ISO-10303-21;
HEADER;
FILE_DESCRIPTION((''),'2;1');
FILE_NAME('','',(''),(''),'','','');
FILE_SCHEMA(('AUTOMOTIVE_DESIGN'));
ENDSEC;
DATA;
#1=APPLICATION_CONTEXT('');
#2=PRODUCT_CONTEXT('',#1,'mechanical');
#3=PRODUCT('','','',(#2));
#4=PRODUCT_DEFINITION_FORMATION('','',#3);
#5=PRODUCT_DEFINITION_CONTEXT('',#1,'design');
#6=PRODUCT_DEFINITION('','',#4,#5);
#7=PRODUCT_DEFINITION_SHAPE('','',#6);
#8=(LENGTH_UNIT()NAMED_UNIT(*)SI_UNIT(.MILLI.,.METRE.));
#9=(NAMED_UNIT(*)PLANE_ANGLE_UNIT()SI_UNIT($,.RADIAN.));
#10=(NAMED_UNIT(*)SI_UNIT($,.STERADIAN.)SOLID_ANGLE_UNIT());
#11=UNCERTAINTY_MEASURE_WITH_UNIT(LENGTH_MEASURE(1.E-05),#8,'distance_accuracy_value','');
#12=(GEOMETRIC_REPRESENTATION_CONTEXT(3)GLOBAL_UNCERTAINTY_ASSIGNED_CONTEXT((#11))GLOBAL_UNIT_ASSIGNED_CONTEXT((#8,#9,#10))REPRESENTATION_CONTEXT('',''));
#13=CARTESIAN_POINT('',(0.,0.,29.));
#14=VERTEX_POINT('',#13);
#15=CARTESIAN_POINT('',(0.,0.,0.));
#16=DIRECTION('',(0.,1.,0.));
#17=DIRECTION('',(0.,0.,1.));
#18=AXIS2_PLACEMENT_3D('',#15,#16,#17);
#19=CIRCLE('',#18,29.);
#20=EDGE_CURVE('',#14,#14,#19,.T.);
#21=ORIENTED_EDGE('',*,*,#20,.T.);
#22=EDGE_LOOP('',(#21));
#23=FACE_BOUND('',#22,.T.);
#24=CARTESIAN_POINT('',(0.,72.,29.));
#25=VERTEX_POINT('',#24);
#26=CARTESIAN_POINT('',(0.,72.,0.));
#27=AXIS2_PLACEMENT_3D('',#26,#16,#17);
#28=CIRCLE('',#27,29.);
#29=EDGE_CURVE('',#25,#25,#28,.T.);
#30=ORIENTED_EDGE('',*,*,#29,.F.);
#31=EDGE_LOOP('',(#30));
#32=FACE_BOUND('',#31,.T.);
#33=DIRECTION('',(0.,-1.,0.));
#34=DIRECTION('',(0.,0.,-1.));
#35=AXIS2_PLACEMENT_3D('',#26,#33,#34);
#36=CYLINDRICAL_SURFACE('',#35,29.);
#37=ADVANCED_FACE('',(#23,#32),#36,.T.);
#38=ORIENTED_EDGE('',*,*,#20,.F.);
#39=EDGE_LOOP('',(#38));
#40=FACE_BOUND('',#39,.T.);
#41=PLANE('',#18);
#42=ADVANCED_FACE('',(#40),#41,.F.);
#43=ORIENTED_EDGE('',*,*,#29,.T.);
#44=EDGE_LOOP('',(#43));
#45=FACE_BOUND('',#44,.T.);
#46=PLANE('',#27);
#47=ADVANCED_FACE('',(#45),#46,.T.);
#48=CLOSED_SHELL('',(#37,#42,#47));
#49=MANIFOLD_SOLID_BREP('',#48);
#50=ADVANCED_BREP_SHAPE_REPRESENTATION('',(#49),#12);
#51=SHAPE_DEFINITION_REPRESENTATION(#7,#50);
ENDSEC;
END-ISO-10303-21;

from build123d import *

# Parameters (mm, degrees)
SKETCH1_R            = 29
MOTOR_ENVELOPE_DEPTH = 72


with BuildPart() as part:
    # Sketch1 → Motor_Envelope (new body)
    with BuildSketch(Plane(origin=(0, 0, 0), x_dir=(1, 0, 0), z_dir=(0, 1, 0))):
        with Locations(Location((0, 0, 0), (0, 0, 270))):
            Circle(SKETCH1_R)
    extrude(amount=MOTOR_ENVELOPE_DEPTH)


solid = part.part
